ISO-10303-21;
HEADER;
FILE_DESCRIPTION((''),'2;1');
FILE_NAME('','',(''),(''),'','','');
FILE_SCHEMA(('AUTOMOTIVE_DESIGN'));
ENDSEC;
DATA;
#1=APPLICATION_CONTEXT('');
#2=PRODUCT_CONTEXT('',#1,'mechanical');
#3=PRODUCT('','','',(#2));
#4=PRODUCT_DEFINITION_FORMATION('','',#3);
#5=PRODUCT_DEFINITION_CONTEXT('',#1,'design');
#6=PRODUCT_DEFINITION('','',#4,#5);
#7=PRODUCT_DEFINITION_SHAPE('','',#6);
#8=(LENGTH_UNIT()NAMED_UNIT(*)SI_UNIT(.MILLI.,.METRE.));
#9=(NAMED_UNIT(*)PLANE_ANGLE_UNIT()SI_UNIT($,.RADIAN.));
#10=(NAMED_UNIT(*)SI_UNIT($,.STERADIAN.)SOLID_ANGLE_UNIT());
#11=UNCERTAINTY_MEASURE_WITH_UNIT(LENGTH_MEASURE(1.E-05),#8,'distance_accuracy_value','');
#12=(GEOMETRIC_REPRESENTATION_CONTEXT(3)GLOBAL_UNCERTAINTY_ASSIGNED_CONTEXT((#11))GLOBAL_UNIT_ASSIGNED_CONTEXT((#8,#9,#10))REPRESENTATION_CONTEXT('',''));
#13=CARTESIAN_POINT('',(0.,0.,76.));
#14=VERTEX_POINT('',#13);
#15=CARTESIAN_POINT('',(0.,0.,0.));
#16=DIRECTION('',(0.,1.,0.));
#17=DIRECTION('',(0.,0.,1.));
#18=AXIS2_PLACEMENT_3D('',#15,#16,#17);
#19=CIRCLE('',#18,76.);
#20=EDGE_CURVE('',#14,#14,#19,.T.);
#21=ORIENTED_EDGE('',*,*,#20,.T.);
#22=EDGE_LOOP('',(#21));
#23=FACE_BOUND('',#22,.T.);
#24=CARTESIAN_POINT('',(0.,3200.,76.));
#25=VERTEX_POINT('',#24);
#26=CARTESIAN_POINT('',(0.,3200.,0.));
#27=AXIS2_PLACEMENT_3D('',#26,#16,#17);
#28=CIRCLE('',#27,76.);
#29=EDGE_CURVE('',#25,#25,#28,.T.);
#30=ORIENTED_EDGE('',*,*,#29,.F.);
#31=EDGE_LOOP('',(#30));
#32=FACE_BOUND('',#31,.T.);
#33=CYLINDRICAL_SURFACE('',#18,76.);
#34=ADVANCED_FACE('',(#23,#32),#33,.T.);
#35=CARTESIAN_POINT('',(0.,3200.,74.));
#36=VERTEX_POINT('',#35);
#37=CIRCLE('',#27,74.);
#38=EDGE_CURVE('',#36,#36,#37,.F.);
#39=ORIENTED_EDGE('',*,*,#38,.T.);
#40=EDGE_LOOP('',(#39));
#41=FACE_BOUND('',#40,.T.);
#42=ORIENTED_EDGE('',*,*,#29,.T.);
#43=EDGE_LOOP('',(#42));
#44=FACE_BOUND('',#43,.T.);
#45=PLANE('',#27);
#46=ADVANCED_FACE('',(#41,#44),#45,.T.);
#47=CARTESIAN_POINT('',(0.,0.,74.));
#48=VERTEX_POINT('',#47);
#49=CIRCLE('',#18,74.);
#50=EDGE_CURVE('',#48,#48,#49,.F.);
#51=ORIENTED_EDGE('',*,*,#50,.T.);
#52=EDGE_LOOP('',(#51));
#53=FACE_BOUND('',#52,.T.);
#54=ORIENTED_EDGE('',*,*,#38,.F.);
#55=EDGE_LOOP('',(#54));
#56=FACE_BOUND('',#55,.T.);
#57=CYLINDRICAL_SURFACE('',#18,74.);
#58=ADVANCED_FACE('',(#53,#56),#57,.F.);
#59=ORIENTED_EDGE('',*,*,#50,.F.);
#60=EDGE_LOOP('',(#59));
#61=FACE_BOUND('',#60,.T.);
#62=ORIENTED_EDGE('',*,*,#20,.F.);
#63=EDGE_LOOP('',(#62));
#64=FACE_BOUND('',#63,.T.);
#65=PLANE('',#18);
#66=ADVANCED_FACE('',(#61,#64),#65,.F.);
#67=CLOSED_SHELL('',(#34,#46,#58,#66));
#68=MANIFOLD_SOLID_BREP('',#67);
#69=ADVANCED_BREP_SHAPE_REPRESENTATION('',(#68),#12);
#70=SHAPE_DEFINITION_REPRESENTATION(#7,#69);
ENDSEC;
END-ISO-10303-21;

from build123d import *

# Parameters (mm, degrees)
SKETCH2_R   = 76
SKETCH2_R_2 = 74


with BuildPart() as part:
    # Sweep1: sweep along a path in Sketch1
    with BuildLine(Plane.XY) as sweep1_path:
        Line((0, 0), (0, 3200))
    # Sketch2 → Sweep1 (sweep)
    with BuildSketch(Plane(origin=(0, 0, 0), x_dir=(1, 0, 0), z_dir=(0, 1, 0))):
        Circle(SKETCH2_R)
        Circle(SKETCH2_R_2, mode=Mode.SUBTRACT)
    sweep(path=sweep1_path.line)


solid = part.part
